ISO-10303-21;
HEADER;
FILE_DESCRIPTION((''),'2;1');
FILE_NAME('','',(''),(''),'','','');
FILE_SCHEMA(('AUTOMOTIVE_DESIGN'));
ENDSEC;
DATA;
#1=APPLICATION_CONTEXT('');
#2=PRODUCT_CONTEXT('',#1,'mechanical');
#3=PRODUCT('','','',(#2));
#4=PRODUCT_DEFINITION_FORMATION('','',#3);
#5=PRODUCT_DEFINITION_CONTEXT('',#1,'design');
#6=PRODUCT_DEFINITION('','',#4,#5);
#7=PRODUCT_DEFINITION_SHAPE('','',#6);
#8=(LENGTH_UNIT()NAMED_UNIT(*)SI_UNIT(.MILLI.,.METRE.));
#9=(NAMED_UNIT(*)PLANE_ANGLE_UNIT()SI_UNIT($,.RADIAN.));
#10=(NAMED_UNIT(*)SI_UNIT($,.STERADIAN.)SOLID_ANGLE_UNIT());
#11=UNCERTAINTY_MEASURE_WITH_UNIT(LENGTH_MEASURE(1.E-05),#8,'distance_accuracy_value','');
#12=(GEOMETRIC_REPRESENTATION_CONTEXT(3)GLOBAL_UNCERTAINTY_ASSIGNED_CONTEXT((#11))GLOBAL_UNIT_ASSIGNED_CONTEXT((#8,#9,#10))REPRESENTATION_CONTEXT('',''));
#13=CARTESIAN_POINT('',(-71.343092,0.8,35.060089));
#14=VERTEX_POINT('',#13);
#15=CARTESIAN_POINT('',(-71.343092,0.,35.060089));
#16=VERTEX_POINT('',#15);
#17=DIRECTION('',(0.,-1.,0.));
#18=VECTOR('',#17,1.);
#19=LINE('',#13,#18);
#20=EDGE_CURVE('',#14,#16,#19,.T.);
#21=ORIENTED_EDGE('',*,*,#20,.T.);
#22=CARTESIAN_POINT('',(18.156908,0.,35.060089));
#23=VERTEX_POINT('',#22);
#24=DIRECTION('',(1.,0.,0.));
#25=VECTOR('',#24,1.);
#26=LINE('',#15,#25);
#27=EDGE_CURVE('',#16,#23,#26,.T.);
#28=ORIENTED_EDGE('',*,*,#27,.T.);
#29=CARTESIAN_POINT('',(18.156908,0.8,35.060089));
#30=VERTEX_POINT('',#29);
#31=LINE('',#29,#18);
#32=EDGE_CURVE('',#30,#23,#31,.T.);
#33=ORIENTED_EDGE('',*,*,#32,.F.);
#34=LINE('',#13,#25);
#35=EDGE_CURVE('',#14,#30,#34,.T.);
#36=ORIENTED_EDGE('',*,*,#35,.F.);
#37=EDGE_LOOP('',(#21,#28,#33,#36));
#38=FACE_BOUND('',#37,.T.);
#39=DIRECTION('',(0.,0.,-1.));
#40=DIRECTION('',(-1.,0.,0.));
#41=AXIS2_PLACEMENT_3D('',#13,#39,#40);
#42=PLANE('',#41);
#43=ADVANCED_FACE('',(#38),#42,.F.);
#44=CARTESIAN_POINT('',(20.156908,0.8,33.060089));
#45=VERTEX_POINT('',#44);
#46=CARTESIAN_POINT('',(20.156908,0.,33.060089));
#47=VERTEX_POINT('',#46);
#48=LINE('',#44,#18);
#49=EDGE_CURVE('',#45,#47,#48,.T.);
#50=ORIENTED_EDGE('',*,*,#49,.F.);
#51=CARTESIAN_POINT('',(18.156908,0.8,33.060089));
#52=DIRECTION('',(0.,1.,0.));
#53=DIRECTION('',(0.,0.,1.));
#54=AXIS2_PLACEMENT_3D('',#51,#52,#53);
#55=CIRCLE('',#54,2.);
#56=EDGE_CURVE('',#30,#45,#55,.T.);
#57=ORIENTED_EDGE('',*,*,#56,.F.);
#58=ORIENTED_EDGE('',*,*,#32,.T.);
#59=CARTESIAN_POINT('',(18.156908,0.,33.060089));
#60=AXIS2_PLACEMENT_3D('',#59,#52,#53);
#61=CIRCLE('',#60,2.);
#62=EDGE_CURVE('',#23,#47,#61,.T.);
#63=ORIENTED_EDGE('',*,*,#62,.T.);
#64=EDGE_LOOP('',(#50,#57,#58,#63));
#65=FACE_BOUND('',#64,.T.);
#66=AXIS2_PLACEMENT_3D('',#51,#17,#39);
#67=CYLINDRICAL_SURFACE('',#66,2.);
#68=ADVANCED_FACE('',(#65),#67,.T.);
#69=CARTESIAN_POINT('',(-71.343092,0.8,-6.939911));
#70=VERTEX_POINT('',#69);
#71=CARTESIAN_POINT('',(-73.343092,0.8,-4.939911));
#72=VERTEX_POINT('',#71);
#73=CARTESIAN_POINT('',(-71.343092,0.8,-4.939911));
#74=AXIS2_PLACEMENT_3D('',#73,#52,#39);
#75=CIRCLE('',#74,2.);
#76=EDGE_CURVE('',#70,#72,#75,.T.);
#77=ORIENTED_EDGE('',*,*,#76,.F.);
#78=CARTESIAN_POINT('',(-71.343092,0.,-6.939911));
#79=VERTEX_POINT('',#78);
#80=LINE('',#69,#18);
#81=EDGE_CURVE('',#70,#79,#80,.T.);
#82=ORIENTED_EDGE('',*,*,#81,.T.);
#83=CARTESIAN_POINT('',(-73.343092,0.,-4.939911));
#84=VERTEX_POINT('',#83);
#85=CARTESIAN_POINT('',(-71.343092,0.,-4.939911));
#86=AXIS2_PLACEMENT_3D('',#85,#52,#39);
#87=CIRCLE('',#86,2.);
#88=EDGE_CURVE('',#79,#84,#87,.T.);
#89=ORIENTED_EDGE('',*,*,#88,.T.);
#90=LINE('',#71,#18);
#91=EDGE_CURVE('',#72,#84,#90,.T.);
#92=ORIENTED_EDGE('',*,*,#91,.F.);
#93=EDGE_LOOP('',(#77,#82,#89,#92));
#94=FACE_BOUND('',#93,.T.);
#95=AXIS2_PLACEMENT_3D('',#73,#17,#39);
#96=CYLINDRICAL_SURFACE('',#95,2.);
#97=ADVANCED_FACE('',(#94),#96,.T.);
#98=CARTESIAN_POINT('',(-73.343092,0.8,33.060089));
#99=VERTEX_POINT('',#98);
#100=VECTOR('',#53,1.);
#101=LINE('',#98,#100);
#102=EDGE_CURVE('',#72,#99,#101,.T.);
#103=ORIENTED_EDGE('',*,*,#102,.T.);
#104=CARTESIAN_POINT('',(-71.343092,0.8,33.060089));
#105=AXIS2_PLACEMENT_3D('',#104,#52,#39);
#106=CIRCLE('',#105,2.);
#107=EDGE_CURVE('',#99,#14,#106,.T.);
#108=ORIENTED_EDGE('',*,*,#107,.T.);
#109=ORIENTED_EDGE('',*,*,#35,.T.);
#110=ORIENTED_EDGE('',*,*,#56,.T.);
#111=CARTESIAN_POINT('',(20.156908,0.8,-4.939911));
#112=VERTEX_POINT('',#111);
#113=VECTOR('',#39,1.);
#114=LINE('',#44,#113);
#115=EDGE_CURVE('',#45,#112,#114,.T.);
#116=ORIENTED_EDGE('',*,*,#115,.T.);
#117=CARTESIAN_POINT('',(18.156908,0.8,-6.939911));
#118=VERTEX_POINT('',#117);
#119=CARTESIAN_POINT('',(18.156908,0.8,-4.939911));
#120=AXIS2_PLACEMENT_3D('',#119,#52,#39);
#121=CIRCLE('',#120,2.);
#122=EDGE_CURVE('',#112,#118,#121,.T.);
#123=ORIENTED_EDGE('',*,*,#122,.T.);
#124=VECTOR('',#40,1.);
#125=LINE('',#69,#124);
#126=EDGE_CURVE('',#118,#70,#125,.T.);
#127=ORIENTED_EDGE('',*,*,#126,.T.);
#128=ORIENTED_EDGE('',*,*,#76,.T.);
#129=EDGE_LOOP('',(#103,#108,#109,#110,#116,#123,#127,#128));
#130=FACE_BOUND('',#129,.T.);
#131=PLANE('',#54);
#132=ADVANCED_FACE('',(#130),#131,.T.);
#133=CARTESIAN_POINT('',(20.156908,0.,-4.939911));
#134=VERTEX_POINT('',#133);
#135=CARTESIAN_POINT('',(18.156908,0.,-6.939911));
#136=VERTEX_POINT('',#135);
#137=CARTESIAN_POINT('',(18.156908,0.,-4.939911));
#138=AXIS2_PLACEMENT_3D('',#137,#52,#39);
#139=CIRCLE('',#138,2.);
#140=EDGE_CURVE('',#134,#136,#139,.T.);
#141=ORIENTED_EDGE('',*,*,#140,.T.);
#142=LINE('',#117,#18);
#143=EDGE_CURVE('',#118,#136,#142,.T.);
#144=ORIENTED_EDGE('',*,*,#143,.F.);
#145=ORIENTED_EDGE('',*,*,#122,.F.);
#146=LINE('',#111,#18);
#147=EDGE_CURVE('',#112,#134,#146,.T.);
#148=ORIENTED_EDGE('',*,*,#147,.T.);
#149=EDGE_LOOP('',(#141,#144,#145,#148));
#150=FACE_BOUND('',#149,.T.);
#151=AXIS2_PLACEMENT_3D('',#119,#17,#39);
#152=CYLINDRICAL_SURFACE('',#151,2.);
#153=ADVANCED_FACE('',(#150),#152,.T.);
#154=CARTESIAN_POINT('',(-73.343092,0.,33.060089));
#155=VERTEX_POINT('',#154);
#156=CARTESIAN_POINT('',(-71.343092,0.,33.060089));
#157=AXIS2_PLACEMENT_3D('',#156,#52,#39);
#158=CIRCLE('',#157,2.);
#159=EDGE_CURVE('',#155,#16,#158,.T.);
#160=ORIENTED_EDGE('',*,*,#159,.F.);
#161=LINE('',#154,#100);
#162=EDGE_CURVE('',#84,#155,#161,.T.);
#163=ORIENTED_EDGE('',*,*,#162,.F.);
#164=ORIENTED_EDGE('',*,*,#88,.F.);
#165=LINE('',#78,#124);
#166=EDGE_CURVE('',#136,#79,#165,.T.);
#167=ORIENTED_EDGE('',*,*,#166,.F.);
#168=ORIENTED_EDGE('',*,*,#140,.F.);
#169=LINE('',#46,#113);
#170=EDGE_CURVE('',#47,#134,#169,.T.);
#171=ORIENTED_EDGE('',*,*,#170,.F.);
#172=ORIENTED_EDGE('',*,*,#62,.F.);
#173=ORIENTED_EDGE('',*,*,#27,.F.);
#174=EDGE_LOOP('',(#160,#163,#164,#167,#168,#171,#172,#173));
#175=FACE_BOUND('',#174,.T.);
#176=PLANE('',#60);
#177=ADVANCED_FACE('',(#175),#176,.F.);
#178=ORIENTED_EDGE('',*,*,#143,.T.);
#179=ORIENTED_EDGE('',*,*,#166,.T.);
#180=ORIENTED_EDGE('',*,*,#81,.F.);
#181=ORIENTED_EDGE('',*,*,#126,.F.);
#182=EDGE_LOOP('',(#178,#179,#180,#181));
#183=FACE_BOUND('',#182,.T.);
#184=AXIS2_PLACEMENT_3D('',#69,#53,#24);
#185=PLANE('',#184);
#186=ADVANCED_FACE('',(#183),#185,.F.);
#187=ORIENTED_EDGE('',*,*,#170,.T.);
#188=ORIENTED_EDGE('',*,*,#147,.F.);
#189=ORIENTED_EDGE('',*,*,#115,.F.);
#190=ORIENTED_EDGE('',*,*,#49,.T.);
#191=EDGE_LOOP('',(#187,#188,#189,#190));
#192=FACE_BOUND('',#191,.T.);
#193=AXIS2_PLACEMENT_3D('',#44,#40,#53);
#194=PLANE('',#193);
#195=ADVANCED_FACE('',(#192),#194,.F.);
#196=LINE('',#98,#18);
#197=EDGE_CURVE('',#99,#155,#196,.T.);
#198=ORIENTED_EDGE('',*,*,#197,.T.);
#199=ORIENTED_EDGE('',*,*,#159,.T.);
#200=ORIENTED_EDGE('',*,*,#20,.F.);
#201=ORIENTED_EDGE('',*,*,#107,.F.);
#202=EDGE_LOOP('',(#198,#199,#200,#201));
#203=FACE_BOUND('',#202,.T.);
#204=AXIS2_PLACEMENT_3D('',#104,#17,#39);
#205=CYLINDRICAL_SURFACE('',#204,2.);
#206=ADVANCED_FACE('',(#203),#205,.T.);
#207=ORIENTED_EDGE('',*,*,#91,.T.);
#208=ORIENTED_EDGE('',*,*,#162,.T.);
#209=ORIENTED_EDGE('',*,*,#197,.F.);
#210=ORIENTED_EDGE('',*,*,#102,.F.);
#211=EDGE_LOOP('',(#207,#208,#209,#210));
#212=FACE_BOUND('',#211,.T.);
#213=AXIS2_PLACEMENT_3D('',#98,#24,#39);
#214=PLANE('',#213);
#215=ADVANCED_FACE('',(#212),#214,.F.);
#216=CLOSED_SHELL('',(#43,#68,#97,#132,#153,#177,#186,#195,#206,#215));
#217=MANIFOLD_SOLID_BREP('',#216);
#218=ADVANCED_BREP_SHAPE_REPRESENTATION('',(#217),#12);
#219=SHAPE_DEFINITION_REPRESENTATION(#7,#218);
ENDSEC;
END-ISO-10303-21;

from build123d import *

# Parameters (mm, degrees)
EXTRUDE_1_DEPTH = 0.8


with BuildPart() as part:
    # 草图1 → 凸台-拉伸1 (new body)
    with BuildSketch(Plane(origin=(0, 0, 0), x_dir=(1, 0, 0), z_dir=(0, 1, 0))):
        with BuildLine():
            Line((-71.34309172, -35.060089169), (18.15690828, -35.060089169))
            ThreePointArc((18.15690828, -35.060089169), (19.571121842, -34.474302732), (20.15690828, -33.060089169))
            Line((20.15690828, -33.060089169), (20.15690828, 4.939910831))
            ThreePointArc((20.15690828, 4.939910831), (19.571121842, 6.354124393), (18.15690828, 6.939910831))
            Line((18.15690828, 6.939910831), (-71.34309172, 6.939910831))
            ThreePointArc((-71.34309172, 6.939910831), (-72.757305283, 6.354124393), (-73.34309172, 4.939910831))
            Line((-73.34309172, 4.939910831), (-73.34309172, -33.060089169))
            ThreePointArc((-73.34309172, -33.060089169), (-72.757305283, -34.474302732), (-71.34309172, -35.060089169))
        make_face()
    extrude(amount=EXTRUDE_1_DEPTH)


solid = part.part
